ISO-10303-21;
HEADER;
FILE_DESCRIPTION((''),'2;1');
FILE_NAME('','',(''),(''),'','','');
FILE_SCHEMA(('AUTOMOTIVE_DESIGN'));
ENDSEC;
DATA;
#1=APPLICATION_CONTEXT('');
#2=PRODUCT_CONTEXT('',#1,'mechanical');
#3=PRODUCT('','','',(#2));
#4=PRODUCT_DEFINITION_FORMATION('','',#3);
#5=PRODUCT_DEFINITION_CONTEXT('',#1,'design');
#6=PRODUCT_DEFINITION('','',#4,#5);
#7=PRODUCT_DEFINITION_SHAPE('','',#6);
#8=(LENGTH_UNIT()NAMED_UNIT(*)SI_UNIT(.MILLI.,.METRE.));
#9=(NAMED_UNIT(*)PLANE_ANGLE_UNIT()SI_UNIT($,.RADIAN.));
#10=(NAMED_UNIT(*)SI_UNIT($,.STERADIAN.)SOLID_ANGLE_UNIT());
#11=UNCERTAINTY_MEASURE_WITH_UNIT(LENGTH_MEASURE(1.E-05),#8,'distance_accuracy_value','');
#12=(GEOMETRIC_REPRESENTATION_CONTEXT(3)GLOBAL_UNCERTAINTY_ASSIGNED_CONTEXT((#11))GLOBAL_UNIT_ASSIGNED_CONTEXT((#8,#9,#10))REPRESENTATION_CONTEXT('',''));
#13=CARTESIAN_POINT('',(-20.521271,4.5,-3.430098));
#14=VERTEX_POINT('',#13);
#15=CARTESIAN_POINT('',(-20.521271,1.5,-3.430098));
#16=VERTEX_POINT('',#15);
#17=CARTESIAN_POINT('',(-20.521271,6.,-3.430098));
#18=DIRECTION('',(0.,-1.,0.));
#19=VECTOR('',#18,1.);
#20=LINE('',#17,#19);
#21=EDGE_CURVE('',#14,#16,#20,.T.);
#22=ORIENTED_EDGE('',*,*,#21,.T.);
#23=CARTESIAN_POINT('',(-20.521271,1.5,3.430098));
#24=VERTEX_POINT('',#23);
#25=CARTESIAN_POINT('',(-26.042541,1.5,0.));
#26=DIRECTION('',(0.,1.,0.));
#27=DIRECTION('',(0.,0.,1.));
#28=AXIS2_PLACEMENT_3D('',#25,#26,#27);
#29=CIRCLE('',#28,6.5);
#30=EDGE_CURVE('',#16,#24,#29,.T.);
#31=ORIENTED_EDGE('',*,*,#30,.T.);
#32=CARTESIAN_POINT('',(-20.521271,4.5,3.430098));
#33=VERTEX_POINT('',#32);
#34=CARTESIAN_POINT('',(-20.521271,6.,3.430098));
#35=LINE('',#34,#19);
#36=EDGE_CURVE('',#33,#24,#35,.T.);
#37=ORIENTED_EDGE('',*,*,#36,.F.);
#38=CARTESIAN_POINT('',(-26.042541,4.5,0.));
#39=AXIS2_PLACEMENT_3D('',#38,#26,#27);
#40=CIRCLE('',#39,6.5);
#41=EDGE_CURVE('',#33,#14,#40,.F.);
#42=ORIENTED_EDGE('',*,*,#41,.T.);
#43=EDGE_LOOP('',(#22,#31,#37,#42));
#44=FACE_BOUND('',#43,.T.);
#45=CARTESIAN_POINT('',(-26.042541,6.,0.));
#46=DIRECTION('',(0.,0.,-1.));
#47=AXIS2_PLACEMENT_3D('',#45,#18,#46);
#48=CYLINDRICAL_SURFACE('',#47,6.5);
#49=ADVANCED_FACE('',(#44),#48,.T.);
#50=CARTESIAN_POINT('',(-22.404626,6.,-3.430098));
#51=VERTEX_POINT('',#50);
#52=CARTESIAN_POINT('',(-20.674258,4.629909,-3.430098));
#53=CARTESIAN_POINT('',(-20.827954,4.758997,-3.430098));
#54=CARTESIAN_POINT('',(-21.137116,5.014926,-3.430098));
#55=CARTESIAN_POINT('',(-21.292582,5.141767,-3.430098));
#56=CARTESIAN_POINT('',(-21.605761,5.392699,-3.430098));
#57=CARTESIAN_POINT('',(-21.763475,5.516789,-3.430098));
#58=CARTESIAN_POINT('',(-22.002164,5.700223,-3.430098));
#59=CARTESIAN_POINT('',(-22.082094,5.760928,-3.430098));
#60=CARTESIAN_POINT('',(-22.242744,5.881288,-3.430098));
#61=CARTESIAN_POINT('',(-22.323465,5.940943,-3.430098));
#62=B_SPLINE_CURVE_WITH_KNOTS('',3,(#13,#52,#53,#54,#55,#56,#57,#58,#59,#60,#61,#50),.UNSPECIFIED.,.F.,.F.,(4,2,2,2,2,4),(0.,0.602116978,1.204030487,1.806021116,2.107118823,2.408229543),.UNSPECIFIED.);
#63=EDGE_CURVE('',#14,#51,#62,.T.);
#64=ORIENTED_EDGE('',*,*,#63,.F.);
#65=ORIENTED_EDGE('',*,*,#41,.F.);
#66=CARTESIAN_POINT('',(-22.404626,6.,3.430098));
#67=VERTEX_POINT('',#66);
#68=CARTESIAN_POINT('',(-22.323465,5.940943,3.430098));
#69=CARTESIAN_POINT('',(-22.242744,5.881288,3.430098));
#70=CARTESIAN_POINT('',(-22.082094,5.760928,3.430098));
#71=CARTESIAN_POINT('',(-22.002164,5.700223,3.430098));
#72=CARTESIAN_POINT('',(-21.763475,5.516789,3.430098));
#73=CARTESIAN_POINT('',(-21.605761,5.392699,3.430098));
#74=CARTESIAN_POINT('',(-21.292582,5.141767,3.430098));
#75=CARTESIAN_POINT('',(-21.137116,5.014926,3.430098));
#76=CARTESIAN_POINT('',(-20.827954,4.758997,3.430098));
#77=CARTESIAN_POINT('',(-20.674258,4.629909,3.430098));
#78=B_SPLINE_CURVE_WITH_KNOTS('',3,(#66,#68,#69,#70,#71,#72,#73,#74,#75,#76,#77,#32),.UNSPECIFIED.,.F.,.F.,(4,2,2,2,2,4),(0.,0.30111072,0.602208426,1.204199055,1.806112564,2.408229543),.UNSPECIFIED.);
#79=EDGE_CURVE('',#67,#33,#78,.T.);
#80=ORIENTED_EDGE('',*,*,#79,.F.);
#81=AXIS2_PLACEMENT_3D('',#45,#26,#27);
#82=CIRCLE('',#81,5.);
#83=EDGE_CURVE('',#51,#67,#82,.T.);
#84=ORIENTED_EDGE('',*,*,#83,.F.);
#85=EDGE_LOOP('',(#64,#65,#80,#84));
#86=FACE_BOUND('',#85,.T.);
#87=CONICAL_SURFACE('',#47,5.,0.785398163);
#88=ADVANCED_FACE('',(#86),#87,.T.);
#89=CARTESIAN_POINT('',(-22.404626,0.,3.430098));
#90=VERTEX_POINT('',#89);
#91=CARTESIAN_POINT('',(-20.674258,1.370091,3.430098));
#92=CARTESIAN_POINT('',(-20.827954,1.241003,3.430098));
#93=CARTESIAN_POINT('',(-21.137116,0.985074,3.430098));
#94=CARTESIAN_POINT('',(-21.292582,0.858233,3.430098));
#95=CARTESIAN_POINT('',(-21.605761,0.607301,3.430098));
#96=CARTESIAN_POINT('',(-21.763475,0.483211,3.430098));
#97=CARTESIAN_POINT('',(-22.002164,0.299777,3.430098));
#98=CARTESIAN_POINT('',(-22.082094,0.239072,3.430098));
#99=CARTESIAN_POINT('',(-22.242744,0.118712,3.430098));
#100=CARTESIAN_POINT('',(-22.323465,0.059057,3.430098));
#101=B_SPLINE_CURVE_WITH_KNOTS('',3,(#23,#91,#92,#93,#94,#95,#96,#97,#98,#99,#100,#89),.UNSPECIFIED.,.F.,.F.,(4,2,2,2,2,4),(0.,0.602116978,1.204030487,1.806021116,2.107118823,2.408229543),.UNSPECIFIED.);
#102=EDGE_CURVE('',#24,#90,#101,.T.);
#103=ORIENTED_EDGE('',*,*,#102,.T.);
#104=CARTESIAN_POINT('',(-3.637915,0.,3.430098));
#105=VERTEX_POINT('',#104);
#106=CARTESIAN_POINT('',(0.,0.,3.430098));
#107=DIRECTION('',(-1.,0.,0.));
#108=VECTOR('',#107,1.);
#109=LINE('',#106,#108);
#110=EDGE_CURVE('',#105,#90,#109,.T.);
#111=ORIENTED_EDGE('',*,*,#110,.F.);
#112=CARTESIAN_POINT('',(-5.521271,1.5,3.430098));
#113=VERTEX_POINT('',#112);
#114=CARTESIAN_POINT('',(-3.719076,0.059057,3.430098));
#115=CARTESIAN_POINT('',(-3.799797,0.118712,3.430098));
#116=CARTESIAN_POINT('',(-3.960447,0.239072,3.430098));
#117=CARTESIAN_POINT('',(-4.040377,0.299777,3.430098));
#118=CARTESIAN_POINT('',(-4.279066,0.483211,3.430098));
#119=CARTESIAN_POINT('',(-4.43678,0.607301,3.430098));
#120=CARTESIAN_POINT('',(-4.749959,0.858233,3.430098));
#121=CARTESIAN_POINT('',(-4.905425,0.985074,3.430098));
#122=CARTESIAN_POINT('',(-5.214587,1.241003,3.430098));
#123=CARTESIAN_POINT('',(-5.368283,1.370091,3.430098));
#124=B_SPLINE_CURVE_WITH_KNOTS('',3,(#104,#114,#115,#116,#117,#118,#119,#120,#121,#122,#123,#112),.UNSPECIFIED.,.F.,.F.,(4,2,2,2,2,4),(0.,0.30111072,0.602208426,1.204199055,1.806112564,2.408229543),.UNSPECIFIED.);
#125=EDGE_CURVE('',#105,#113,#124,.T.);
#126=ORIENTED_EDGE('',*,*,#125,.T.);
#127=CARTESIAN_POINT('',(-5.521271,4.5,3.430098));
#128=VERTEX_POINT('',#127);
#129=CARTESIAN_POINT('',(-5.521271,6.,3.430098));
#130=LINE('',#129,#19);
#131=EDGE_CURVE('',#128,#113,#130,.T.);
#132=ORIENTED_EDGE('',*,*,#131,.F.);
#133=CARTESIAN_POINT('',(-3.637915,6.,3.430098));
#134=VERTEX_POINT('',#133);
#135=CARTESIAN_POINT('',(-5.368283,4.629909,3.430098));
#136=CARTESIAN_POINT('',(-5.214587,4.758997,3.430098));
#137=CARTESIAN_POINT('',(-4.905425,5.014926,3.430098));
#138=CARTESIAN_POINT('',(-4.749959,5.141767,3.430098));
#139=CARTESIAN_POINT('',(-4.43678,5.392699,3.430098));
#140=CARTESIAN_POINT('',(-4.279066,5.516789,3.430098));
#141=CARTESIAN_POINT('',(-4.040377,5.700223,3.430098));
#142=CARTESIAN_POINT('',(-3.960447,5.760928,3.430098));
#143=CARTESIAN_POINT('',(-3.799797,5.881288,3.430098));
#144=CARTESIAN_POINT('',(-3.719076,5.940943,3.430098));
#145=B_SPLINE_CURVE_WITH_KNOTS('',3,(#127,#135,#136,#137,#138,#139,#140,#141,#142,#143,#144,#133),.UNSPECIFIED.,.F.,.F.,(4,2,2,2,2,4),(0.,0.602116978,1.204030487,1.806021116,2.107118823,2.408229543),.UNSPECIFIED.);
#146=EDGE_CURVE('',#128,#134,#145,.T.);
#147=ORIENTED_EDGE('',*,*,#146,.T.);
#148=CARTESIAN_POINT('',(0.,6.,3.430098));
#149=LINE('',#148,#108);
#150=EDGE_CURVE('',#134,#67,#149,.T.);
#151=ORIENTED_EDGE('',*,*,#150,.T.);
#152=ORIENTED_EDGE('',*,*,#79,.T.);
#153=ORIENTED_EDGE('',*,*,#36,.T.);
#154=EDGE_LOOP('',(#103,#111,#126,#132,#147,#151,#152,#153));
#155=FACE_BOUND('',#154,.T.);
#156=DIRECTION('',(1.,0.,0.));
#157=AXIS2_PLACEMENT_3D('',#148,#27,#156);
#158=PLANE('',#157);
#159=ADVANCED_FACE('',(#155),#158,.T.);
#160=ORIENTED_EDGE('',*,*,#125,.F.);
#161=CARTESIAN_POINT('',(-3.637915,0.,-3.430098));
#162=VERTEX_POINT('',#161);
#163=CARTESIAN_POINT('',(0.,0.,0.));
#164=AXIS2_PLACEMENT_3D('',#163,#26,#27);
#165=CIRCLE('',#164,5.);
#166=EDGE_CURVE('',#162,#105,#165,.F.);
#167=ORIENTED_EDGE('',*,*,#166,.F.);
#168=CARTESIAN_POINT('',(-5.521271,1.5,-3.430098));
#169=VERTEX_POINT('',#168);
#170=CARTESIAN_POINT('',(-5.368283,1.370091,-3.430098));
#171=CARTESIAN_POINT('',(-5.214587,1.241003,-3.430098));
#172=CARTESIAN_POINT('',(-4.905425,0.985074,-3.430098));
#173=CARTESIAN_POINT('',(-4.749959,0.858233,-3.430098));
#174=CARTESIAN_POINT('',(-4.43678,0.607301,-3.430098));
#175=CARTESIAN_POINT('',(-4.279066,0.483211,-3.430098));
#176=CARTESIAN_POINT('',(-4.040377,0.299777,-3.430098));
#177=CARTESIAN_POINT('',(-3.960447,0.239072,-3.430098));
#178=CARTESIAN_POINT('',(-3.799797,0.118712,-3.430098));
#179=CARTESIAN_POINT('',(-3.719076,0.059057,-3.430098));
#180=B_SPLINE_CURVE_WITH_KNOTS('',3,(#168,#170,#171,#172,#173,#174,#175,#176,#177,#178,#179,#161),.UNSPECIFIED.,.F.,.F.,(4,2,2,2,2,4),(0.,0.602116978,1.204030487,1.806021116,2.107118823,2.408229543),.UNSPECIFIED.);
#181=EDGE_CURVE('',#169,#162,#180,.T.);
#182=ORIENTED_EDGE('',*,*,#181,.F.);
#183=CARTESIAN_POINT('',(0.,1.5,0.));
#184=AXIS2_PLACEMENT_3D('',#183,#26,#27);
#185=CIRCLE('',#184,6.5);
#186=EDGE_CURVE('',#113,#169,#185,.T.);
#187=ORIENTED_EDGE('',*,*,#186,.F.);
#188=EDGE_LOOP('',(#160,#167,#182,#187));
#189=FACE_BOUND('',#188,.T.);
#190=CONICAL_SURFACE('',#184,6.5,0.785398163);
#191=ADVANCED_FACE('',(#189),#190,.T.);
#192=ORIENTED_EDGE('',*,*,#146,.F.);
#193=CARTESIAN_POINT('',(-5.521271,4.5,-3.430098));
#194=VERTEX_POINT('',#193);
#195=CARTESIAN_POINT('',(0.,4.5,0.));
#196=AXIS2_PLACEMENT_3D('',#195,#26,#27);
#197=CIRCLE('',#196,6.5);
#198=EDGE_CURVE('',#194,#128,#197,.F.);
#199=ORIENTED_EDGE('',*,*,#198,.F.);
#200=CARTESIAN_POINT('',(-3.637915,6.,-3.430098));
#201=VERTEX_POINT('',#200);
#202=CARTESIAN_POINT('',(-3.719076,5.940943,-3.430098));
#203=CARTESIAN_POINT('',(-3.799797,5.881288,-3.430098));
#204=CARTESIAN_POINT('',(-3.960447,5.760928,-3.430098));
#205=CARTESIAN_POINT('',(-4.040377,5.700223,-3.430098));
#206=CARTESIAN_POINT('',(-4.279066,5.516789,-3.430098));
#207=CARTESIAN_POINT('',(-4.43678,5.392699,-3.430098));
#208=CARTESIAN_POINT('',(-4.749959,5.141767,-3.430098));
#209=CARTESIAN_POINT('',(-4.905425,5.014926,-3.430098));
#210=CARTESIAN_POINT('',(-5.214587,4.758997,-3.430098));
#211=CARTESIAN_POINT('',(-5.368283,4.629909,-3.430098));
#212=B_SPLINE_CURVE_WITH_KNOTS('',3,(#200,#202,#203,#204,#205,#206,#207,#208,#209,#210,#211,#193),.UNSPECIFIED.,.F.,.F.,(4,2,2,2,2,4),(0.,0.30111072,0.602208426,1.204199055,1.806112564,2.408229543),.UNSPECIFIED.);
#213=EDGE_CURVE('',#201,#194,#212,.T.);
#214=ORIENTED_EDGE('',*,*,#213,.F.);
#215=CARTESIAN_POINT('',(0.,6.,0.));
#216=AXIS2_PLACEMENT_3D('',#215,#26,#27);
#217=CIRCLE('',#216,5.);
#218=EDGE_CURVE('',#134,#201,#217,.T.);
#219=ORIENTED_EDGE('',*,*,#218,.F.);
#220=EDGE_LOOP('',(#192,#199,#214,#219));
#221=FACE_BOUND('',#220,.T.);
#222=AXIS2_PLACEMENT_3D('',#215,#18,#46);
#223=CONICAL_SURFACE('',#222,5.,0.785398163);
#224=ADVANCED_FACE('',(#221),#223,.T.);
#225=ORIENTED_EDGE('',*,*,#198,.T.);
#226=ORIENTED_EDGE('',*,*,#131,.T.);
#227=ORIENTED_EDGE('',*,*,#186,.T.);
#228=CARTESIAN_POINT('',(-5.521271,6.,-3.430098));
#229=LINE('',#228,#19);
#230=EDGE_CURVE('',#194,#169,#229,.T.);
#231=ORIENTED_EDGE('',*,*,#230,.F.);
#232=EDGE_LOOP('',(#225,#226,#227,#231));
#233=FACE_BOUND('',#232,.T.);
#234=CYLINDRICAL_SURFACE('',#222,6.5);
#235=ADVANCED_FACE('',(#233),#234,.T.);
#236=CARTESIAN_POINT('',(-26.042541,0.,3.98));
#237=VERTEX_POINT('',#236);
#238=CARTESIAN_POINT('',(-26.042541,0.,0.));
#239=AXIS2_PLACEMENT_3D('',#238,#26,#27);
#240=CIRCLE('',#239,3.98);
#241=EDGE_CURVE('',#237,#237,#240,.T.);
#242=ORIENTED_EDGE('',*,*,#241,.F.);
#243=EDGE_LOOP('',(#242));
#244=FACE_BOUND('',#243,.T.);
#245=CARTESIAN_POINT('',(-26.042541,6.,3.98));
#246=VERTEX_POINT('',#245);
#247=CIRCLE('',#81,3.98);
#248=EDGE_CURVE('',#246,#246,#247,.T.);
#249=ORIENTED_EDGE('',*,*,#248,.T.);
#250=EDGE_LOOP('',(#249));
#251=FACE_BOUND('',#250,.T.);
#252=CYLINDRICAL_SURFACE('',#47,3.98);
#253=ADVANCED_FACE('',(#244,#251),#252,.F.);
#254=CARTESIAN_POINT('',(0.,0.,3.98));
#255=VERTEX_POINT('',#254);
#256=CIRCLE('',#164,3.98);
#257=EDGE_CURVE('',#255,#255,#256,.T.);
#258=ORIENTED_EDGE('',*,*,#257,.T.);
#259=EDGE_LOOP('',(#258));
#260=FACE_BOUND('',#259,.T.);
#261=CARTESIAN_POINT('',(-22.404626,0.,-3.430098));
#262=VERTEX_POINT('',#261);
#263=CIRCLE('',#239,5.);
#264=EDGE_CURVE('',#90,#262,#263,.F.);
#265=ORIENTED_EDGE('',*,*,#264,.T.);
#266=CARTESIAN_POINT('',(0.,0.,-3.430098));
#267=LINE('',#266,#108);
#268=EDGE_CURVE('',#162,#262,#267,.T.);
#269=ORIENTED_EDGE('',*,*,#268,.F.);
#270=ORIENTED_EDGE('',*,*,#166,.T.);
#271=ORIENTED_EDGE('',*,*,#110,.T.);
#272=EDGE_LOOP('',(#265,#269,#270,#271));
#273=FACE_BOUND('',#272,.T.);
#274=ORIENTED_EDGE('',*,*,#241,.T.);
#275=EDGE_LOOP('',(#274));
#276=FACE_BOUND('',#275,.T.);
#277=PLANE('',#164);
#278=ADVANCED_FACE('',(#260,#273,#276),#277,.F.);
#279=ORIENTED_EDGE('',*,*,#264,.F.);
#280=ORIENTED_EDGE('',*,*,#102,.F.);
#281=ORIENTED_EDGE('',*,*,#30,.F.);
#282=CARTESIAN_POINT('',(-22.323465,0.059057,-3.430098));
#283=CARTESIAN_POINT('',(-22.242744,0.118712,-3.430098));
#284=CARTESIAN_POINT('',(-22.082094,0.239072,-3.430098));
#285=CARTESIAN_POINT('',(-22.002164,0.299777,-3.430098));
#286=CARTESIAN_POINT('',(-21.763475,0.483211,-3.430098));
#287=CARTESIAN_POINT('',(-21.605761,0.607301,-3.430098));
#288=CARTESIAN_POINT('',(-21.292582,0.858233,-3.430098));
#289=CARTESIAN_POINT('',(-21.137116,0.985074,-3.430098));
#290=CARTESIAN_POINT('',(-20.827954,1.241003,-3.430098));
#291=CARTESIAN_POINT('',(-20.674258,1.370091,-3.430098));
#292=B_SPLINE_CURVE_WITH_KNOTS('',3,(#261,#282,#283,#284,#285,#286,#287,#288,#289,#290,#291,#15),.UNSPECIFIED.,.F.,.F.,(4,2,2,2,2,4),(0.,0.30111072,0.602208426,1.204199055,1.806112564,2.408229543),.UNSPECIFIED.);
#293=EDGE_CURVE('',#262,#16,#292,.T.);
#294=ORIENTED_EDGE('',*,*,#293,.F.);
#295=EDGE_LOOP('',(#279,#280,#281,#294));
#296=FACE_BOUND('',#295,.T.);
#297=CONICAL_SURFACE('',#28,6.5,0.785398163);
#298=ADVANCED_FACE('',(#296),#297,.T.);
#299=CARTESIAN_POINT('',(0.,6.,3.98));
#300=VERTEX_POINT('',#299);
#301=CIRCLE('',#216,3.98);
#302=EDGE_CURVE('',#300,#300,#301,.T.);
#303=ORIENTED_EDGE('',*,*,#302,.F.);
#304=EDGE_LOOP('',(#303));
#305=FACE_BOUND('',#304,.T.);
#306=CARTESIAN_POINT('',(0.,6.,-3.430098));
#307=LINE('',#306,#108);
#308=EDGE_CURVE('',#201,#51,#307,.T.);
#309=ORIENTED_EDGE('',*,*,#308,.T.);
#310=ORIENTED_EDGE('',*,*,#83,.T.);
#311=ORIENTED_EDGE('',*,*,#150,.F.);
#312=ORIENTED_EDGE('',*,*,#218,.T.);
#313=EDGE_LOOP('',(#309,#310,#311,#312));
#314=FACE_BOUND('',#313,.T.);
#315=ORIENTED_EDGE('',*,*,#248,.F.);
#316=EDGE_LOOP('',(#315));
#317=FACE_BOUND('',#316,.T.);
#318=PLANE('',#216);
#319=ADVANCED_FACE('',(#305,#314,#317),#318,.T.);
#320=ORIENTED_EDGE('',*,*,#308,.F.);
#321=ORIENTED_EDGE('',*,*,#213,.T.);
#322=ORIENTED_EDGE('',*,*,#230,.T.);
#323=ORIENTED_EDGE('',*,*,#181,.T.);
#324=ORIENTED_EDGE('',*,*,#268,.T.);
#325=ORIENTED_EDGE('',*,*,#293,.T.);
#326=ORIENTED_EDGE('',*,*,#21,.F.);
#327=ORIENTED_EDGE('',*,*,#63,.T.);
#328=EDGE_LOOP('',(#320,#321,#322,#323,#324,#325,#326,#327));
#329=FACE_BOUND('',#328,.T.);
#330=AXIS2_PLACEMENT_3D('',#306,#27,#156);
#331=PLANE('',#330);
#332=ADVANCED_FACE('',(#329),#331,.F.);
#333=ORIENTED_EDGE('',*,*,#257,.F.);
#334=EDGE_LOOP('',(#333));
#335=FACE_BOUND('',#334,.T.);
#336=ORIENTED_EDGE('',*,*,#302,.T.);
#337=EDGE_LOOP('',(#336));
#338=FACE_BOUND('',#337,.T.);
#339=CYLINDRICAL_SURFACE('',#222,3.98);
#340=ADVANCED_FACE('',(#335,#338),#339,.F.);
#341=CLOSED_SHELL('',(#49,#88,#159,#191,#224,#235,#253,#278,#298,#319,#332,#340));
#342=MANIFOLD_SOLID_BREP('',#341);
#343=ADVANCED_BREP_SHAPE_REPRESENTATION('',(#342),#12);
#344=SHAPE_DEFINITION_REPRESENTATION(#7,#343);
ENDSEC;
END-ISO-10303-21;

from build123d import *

# Parameters (mm, degrees)
SKETCH1_R           = 3.98
BOSS_EXTRUDE1_DEPTH = 6
CHAMFER1_SIZE       = 1.5


with BuildPart() as part:
    # Sketch1 → Boss-Extrude1 (new body)
    with BuildSketch(Plane(origin=(0, 0, 0), x_dir=(1, 0, 0), z_dir=(0, 1, 0))):
        with BuildLine():
            Line((-5.521270529, 3.430097921), (-20.521270529, 3.430097921))
            ThreePointArc((-20.521270529, 3.430097921), (-32.542541057, 0), (-20.521270529, -3.430097921))
            Line((-20.521270529, -3.430097921), (-5.521270529, -3.430097921))
            ThreePointArc((-5.521270529, -3.430097921), (6.5, 0), (-5.521270529, 3.430097921))
        make_face()
        with Locations(Location((-26.042541057, 0, 0), (0, 0, 270))):
            Circle(SKETCH1_R, mode=Mode.SUBTRACT)
        with Locations(Location((0, 0, 0), (0, 0, 270))):
            Circle(SKETCH1_R, mode=Mode.SUBTRACT)
    extrude(amount=BOSS_EXTRUDE1_DEPTH)

    # Chamfer1
    chamfer1_edges = [part.edges().sort_by_distance(p)[0] for p in [
        (-32.542541057, 0, 0),
        (-32.542541057, 6, 0),
        (6.5, 6, 0),
        (6.5, 0, 0),
    ]]
    chamfer(chamfer1_edges, length=CHAMFER1_SIZE)


solid = part.part
